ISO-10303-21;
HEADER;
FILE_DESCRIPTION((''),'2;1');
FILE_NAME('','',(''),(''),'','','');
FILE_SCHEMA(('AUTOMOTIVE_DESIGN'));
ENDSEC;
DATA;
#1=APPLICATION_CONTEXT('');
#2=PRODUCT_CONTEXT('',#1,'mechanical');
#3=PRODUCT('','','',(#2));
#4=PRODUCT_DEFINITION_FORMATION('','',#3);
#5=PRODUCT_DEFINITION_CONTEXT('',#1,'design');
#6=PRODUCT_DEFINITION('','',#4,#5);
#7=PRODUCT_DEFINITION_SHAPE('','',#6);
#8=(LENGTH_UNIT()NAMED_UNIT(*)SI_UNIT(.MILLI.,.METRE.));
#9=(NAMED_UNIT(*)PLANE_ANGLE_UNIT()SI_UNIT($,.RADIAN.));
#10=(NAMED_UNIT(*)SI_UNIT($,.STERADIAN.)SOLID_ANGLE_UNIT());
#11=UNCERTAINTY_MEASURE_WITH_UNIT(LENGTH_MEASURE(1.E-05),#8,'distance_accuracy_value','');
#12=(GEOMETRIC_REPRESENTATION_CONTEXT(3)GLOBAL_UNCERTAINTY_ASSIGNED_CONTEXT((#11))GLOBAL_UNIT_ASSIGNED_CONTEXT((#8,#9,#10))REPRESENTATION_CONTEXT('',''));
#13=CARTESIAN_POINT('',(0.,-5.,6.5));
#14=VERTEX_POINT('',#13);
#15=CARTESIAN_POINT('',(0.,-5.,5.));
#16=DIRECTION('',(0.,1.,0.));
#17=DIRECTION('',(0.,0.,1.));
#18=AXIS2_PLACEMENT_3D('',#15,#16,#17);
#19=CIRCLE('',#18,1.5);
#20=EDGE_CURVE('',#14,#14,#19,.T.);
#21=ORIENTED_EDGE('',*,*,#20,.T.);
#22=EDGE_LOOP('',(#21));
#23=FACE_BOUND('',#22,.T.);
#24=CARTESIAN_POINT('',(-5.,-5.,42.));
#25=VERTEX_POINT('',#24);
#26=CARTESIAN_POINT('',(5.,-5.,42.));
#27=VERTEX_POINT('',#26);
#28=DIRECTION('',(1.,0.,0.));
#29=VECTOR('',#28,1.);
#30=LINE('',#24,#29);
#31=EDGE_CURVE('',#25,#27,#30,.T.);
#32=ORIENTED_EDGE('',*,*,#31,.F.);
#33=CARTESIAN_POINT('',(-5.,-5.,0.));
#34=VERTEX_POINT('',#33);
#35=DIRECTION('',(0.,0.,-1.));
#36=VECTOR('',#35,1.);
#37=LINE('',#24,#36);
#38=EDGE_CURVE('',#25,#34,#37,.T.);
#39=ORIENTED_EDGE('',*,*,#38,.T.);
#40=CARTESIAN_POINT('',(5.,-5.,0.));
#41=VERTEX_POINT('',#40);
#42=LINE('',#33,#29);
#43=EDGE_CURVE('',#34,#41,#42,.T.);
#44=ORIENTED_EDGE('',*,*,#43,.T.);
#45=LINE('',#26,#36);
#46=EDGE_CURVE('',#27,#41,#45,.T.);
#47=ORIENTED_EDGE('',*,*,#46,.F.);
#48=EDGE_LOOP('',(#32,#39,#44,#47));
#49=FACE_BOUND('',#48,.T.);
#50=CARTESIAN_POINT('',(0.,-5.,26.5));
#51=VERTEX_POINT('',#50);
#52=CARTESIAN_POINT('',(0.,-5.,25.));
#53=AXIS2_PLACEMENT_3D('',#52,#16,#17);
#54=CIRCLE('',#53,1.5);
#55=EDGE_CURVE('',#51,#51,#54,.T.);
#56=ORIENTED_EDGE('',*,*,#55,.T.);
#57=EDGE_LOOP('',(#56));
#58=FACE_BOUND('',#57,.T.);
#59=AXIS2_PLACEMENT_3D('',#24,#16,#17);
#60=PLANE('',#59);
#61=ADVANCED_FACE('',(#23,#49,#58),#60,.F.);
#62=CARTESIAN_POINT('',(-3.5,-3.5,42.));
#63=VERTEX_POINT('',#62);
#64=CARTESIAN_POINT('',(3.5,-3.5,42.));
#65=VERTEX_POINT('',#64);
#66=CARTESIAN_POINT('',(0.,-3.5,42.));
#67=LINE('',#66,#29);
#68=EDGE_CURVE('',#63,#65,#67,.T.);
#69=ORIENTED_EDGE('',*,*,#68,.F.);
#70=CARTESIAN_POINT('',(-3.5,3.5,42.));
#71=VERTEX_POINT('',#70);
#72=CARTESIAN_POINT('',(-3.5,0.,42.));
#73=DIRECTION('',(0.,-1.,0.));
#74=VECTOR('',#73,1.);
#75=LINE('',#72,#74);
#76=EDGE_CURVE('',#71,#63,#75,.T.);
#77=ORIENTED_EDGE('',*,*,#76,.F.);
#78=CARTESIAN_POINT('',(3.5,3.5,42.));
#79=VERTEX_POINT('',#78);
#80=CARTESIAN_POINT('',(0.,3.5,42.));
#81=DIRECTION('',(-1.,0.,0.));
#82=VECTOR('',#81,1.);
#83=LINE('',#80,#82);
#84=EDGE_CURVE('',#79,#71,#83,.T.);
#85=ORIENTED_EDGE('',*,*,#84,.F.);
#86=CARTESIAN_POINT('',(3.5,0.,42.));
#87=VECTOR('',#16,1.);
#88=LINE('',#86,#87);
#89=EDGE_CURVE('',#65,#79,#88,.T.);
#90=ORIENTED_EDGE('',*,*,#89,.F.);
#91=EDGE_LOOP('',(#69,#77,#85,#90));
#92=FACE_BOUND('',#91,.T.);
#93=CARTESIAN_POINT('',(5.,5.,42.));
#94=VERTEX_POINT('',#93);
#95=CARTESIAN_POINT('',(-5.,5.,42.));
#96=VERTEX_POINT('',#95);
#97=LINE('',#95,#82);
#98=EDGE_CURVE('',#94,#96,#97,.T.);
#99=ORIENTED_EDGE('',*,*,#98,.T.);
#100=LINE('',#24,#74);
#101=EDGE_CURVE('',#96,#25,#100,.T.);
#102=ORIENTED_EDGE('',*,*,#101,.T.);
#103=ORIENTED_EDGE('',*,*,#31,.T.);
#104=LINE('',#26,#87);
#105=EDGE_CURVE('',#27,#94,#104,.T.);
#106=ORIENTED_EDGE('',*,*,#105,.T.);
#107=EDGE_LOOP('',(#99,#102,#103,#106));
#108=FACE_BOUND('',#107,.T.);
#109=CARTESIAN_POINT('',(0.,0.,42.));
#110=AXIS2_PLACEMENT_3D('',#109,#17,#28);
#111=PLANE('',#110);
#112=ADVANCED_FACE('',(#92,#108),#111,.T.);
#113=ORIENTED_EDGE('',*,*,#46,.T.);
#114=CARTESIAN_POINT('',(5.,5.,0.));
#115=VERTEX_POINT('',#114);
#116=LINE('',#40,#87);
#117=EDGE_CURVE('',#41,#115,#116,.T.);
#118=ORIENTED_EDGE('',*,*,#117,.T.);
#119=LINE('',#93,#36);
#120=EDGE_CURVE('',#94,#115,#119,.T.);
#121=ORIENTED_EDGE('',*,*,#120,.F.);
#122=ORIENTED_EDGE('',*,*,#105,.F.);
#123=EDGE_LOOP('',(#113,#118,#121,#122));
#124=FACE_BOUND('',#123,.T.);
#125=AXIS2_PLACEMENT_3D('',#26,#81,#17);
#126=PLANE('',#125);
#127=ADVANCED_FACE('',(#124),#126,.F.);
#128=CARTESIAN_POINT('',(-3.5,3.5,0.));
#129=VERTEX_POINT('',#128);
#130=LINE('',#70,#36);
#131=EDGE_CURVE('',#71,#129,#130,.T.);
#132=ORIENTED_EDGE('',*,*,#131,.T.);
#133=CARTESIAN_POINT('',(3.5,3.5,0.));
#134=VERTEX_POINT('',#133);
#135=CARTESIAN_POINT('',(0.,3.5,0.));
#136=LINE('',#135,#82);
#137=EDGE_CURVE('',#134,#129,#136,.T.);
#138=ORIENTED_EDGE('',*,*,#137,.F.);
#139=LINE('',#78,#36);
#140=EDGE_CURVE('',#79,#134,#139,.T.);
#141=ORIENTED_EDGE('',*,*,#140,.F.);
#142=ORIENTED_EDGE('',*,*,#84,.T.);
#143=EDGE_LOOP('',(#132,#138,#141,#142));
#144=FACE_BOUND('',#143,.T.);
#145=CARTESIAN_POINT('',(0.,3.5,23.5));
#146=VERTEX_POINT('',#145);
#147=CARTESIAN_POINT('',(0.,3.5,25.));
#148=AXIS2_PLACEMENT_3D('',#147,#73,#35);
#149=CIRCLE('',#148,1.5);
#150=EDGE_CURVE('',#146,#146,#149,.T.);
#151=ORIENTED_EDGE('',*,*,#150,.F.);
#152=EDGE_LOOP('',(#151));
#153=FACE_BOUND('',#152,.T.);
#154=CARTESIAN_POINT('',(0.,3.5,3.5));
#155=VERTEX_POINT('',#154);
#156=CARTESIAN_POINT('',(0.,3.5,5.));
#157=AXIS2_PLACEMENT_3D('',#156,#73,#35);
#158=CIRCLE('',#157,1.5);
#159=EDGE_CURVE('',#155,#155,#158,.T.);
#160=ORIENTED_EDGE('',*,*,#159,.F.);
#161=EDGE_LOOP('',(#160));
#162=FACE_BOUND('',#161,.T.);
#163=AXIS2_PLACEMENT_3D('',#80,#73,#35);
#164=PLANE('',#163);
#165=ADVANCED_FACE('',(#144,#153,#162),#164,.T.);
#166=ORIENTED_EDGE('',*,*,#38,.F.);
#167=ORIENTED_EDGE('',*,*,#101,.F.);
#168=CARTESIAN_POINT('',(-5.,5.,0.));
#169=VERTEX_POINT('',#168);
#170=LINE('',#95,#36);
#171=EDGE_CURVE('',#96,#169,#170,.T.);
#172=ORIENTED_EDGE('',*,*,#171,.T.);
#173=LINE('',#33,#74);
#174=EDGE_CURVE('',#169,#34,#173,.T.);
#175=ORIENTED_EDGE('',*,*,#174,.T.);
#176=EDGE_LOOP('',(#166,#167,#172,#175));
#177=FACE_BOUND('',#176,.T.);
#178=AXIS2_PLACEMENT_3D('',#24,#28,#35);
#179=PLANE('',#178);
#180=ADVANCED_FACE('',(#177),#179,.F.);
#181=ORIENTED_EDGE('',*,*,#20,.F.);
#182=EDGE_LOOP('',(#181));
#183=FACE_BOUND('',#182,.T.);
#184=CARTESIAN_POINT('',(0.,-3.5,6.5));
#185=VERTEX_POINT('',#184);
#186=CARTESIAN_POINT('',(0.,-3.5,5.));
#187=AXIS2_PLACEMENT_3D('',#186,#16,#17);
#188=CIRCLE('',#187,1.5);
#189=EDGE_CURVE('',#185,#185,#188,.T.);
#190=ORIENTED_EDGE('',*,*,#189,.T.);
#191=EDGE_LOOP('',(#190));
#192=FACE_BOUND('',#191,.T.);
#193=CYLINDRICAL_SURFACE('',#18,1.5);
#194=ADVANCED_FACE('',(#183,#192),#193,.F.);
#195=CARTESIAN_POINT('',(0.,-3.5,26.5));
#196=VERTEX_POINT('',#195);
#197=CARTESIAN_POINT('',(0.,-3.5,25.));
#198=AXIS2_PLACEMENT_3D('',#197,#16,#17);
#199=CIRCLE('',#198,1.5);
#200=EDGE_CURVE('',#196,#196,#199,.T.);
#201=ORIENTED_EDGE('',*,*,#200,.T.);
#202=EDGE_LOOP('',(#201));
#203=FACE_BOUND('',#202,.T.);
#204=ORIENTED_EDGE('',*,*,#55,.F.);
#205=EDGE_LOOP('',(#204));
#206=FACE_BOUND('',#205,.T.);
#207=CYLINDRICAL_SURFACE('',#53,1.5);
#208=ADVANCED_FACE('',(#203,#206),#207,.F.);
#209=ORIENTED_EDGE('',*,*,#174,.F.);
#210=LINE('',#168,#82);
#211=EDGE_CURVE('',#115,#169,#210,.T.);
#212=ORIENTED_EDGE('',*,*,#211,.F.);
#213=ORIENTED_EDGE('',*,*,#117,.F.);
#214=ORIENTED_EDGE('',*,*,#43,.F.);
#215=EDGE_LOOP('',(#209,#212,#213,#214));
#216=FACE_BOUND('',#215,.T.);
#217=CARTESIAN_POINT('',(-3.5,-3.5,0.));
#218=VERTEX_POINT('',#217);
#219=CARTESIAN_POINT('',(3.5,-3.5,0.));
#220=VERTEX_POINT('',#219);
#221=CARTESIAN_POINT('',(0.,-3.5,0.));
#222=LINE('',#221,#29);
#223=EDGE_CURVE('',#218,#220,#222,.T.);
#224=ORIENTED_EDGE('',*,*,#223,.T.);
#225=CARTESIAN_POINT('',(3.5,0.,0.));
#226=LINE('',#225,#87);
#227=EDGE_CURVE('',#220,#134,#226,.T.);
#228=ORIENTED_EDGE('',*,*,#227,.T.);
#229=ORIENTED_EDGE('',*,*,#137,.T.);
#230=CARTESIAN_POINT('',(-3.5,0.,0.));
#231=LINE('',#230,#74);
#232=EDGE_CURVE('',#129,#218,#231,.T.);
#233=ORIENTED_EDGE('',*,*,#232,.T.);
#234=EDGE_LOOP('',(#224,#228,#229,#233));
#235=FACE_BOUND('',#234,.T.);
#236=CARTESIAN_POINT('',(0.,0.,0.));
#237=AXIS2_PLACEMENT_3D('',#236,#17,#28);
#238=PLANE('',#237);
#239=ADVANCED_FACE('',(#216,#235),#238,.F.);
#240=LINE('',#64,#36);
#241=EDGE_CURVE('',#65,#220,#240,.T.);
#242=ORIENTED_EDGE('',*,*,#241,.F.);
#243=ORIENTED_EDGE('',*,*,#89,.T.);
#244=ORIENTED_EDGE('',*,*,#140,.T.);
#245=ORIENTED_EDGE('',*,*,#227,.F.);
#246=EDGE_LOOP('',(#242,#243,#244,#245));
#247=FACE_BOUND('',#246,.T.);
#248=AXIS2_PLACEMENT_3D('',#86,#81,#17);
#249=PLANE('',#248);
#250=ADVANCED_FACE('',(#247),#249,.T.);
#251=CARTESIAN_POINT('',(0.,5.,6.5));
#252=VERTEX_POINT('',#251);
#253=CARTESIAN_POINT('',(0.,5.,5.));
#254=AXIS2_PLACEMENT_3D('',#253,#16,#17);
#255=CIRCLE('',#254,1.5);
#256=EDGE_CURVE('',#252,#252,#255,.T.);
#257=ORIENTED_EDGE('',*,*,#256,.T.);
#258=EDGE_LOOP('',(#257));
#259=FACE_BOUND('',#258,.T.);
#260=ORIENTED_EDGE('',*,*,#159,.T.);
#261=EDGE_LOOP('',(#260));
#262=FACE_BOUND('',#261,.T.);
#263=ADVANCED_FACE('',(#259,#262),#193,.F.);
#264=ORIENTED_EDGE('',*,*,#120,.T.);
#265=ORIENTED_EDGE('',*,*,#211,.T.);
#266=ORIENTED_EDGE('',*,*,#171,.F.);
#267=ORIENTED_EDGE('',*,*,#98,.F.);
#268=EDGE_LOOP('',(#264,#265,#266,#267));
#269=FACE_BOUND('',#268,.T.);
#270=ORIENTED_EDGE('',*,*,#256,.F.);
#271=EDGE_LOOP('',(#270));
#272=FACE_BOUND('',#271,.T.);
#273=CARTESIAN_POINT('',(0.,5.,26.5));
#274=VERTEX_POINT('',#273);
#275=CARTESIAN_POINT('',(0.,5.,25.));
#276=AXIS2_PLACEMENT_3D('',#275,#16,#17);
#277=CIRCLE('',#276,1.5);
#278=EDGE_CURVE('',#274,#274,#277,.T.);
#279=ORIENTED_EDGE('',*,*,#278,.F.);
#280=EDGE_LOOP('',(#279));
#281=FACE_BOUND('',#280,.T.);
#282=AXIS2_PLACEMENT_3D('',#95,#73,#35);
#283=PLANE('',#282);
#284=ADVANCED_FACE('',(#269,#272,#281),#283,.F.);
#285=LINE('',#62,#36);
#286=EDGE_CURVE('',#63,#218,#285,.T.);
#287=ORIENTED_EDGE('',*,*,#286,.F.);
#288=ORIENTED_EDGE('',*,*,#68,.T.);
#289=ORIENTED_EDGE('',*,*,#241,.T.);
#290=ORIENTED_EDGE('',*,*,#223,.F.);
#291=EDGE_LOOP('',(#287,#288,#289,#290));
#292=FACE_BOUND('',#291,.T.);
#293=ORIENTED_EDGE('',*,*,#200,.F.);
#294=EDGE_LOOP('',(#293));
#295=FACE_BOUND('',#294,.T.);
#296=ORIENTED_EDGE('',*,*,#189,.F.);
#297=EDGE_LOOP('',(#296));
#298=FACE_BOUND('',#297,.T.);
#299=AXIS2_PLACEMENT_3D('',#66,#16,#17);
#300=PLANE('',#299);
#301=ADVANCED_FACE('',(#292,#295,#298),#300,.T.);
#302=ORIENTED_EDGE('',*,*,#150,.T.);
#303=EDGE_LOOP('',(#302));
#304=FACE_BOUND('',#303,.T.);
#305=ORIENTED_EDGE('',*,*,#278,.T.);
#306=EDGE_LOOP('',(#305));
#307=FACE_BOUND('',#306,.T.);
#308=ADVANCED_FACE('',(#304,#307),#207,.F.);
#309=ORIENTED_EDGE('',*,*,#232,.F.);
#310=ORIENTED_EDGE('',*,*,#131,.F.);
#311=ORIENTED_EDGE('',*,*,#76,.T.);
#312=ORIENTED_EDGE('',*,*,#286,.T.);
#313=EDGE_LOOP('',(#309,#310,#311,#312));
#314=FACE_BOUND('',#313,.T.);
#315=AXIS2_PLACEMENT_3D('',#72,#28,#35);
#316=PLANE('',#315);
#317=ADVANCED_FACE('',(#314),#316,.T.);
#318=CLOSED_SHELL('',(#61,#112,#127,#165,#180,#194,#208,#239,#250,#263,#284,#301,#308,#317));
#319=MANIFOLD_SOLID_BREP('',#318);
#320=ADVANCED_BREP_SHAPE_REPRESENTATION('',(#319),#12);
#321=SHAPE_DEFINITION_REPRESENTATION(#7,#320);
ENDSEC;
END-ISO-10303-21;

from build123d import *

# Parameters (mm, degrees)
SKETCH_1_W          = 10
SKETCH_1_H          = 10
SKETCH_1_W_2        = 7
SKETCH_1_H_2        = 7
EXTRUDE_1_DEPTH     = 42
SKETCH_2_R          = 1.5
CUT_EXTRUDE_1_DEPTH = 44.462627624


with BuildPart() as part:
    # ｽｹｯﾁ1 → 押し出し-薄板1 (new body)
    with BuildSketch(Plane.XY):
        Rectangle(SKETCH_1_W, SKETCH_1_H)
        Rectangle(SKETCH_1_W_2, SKETCH_1_H_2, mode=Mode.SUBTRACT)
    extrude(amount=EXTRUDE_1_DEPTH)

    # ｽｹｯﾁ2 → ｶｯﾄ - 押し出し1 (cut, through all)
    with BuildSketch(Plane(origin=(0, 5, 0), x_dir=(1, 0, 0), z_dir=(0, 1, 0))):
        with Locations(Location((0, -5, 0), (0, 0, 270))):
            Circle(SKETCH_2_R)
        with Locations(Location((0, -25, 0), (0, 0, 270))):
            Circle(SKETCH_2_R)
    extrude(amount=-CUT_EXTRUDE_1_DEPTH, mode=Mode.SUBTRACT)


solid = part.part
